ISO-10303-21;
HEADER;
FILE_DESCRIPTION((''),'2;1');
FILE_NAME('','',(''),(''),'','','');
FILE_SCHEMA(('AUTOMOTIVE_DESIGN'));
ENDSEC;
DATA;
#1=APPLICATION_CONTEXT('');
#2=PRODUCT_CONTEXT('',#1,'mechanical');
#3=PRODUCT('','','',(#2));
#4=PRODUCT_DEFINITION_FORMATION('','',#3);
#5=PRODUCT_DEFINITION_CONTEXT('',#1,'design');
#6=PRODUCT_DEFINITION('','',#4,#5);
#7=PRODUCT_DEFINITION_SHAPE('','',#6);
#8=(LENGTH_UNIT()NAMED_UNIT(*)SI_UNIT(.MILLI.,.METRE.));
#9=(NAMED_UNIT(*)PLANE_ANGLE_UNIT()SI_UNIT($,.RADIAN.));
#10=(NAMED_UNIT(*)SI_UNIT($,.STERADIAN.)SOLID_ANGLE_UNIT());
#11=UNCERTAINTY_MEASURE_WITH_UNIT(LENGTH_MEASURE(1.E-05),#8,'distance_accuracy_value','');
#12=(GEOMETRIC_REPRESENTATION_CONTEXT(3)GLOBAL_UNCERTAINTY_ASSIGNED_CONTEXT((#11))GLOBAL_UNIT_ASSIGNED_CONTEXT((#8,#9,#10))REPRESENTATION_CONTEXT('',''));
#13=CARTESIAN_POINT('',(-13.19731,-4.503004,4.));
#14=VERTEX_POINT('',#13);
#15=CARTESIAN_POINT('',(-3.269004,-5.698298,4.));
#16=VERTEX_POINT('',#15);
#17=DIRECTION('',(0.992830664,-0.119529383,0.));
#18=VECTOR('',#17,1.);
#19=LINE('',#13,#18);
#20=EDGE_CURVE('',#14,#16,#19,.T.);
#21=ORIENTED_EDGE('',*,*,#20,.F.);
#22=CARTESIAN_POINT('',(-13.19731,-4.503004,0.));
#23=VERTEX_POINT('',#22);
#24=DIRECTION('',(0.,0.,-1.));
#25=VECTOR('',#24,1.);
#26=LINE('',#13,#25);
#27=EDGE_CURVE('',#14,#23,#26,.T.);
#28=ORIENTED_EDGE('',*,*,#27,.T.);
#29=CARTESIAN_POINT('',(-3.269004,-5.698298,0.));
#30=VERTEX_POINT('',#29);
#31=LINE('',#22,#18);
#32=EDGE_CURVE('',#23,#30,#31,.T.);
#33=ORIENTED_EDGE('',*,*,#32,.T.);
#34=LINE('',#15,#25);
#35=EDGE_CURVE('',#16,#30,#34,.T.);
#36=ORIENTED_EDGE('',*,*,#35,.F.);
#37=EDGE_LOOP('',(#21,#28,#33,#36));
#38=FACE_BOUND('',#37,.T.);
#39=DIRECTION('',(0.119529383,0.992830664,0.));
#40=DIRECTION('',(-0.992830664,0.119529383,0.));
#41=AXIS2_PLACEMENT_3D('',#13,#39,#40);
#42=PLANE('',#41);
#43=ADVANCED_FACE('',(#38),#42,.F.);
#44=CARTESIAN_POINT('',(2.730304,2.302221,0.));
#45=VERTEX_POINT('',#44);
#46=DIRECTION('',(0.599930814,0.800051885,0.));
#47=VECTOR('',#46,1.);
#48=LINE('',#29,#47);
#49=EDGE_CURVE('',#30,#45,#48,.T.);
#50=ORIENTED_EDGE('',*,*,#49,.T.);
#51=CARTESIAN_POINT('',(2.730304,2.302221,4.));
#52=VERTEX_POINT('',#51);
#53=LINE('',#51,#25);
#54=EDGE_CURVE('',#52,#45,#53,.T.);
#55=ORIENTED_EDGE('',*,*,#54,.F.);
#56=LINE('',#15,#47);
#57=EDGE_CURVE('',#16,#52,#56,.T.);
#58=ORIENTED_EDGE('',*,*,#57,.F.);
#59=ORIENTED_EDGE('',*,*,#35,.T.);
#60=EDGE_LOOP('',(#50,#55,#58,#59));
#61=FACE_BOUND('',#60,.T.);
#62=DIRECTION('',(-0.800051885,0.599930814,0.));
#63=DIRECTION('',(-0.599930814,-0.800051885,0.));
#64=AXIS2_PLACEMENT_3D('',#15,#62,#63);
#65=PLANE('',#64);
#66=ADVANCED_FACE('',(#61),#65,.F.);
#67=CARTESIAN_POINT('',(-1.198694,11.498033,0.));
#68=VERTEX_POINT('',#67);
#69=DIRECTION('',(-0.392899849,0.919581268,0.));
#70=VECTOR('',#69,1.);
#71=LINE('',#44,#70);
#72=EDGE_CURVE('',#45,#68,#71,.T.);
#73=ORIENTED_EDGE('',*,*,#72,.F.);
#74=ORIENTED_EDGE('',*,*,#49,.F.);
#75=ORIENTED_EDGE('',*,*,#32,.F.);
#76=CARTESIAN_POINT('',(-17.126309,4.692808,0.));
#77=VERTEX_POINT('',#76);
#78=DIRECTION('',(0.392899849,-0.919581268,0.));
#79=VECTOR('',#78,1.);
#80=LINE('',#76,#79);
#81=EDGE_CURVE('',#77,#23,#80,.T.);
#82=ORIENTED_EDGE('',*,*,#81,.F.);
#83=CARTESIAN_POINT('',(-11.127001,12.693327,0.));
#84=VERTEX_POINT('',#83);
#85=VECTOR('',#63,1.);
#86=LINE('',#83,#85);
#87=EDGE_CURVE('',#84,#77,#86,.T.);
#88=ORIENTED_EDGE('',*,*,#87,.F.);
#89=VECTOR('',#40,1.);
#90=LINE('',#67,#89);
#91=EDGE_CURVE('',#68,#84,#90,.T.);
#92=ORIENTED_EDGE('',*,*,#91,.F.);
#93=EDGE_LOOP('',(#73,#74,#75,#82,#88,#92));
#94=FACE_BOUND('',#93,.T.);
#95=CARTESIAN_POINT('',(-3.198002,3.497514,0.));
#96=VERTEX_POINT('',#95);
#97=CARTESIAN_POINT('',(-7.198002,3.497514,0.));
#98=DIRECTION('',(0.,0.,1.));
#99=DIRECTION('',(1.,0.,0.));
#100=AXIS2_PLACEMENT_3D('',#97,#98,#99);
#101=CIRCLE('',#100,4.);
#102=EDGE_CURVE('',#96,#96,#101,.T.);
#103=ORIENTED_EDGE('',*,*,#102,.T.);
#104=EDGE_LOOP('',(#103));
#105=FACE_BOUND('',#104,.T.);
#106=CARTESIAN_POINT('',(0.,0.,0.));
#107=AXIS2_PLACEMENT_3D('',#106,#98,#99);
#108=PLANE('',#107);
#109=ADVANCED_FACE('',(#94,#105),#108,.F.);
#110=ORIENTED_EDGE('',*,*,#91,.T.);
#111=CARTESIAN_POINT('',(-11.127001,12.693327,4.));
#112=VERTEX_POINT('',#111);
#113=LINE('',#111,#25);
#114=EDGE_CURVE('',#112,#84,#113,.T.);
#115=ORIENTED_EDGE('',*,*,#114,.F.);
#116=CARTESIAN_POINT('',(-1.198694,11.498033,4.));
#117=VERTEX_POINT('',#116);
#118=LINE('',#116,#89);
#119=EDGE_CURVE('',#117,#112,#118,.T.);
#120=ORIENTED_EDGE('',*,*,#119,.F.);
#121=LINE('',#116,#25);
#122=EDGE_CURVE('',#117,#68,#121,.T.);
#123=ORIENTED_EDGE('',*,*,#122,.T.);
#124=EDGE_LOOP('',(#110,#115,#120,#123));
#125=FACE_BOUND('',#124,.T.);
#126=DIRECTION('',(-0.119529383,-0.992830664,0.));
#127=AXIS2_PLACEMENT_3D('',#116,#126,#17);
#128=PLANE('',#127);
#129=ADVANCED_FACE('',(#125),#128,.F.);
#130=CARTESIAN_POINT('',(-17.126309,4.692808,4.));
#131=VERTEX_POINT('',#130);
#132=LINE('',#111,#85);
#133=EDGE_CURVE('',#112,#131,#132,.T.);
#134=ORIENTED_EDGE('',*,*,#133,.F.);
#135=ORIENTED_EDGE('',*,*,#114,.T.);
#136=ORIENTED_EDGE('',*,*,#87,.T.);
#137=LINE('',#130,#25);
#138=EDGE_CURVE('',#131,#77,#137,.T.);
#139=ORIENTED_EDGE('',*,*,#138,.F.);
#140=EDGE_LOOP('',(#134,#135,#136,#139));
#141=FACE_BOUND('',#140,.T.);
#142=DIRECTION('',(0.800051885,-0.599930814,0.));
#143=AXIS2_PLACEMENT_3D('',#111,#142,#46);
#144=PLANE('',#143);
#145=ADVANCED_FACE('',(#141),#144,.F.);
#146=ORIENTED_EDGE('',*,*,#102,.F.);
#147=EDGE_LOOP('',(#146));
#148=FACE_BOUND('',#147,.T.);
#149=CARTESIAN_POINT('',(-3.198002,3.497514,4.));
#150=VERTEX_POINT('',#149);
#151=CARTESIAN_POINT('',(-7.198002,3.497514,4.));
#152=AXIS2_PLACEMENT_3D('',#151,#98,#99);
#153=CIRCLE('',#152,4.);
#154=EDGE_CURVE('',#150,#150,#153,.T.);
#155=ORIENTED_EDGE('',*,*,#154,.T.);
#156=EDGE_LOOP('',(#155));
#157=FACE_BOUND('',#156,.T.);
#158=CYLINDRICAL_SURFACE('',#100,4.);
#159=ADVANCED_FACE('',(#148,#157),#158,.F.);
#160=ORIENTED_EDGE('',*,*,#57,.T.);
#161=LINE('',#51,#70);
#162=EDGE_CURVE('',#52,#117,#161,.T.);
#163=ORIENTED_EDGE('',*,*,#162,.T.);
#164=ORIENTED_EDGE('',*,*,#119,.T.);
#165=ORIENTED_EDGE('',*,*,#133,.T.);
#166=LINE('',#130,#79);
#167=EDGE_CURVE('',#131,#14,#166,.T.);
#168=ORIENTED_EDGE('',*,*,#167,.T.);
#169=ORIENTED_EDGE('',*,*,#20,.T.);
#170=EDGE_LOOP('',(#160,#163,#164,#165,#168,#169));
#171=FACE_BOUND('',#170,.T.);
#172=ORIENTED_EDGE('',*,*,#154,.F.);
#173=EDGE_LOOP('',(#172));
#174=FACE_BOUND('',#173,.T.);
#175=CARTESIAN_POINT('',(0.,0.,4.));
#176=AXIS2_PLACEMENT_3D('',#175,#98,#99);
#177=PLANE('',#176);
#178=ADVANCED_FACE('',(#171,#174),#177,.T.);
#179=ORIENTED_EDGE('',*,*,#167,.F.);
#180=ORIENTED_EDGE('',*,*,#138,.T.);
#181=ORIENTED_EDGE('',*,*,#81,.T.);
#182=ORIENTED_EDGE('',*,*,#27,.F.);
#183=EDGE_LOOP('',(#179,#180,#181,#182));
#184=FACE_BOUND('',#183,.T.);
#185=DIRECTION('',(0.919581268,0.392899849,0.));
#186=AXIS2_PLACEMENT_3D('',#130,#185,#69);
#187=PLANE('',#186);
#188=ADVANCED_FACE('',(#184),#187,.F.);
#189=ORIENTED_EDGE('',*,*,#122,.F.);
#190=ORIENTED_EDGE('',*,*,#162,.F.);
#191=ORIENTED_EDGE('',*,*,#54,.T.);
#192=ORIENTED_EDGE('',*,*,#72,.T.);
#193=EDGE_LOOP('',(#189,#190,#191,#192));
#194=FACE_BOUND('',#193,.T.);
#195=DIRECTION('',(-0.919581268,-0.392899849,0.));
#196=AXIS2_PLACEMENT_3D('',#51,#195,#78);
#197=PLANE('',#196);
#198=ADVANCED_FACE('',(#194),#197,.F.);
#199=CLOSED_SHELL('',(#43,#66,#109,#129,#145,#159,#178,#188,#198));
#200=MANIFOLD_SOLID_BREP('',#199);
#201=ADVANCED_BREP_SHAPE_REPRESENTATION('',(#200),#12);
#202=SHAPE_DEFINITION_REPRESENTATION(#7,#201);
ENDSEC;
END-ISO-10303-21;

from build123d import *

# Parameters (mm, degrees)
BOSS_EXTRUDE1_DEPTH = 4
SKETCH2_R           = 4
CUT_EXTRUDE1_DEPTH  = 4


with BuildPart() as part:
    # Sketch1 → Boss-Extrude1 (new body)
    with BuildSketch(Plane.XY):
        Polygon((2.730304444, 2.302220599), (-1.198694049, 11.498033279), (-11.127000685, 12.693327112), (-17.126308828, 4.692808266), (-13.197310334, -4.503004414), (-3.269003699, -5.698298248), align=None)
    extrude(amount=BOSS_EXTRUDE1_DEPTH)

    # Sketch2 → Cut-Extrude1 (cut)
    with BuildSketch(Plane.XY.offset(4)):
        with Locations((-7.198002192, 3.497514432)):
            Circle(SKETCH2_R)
    extrude(amount=-CUT_EXTRUDE1_DEPTH, mode=Mode.SUBTRACT)


solid = part.part
